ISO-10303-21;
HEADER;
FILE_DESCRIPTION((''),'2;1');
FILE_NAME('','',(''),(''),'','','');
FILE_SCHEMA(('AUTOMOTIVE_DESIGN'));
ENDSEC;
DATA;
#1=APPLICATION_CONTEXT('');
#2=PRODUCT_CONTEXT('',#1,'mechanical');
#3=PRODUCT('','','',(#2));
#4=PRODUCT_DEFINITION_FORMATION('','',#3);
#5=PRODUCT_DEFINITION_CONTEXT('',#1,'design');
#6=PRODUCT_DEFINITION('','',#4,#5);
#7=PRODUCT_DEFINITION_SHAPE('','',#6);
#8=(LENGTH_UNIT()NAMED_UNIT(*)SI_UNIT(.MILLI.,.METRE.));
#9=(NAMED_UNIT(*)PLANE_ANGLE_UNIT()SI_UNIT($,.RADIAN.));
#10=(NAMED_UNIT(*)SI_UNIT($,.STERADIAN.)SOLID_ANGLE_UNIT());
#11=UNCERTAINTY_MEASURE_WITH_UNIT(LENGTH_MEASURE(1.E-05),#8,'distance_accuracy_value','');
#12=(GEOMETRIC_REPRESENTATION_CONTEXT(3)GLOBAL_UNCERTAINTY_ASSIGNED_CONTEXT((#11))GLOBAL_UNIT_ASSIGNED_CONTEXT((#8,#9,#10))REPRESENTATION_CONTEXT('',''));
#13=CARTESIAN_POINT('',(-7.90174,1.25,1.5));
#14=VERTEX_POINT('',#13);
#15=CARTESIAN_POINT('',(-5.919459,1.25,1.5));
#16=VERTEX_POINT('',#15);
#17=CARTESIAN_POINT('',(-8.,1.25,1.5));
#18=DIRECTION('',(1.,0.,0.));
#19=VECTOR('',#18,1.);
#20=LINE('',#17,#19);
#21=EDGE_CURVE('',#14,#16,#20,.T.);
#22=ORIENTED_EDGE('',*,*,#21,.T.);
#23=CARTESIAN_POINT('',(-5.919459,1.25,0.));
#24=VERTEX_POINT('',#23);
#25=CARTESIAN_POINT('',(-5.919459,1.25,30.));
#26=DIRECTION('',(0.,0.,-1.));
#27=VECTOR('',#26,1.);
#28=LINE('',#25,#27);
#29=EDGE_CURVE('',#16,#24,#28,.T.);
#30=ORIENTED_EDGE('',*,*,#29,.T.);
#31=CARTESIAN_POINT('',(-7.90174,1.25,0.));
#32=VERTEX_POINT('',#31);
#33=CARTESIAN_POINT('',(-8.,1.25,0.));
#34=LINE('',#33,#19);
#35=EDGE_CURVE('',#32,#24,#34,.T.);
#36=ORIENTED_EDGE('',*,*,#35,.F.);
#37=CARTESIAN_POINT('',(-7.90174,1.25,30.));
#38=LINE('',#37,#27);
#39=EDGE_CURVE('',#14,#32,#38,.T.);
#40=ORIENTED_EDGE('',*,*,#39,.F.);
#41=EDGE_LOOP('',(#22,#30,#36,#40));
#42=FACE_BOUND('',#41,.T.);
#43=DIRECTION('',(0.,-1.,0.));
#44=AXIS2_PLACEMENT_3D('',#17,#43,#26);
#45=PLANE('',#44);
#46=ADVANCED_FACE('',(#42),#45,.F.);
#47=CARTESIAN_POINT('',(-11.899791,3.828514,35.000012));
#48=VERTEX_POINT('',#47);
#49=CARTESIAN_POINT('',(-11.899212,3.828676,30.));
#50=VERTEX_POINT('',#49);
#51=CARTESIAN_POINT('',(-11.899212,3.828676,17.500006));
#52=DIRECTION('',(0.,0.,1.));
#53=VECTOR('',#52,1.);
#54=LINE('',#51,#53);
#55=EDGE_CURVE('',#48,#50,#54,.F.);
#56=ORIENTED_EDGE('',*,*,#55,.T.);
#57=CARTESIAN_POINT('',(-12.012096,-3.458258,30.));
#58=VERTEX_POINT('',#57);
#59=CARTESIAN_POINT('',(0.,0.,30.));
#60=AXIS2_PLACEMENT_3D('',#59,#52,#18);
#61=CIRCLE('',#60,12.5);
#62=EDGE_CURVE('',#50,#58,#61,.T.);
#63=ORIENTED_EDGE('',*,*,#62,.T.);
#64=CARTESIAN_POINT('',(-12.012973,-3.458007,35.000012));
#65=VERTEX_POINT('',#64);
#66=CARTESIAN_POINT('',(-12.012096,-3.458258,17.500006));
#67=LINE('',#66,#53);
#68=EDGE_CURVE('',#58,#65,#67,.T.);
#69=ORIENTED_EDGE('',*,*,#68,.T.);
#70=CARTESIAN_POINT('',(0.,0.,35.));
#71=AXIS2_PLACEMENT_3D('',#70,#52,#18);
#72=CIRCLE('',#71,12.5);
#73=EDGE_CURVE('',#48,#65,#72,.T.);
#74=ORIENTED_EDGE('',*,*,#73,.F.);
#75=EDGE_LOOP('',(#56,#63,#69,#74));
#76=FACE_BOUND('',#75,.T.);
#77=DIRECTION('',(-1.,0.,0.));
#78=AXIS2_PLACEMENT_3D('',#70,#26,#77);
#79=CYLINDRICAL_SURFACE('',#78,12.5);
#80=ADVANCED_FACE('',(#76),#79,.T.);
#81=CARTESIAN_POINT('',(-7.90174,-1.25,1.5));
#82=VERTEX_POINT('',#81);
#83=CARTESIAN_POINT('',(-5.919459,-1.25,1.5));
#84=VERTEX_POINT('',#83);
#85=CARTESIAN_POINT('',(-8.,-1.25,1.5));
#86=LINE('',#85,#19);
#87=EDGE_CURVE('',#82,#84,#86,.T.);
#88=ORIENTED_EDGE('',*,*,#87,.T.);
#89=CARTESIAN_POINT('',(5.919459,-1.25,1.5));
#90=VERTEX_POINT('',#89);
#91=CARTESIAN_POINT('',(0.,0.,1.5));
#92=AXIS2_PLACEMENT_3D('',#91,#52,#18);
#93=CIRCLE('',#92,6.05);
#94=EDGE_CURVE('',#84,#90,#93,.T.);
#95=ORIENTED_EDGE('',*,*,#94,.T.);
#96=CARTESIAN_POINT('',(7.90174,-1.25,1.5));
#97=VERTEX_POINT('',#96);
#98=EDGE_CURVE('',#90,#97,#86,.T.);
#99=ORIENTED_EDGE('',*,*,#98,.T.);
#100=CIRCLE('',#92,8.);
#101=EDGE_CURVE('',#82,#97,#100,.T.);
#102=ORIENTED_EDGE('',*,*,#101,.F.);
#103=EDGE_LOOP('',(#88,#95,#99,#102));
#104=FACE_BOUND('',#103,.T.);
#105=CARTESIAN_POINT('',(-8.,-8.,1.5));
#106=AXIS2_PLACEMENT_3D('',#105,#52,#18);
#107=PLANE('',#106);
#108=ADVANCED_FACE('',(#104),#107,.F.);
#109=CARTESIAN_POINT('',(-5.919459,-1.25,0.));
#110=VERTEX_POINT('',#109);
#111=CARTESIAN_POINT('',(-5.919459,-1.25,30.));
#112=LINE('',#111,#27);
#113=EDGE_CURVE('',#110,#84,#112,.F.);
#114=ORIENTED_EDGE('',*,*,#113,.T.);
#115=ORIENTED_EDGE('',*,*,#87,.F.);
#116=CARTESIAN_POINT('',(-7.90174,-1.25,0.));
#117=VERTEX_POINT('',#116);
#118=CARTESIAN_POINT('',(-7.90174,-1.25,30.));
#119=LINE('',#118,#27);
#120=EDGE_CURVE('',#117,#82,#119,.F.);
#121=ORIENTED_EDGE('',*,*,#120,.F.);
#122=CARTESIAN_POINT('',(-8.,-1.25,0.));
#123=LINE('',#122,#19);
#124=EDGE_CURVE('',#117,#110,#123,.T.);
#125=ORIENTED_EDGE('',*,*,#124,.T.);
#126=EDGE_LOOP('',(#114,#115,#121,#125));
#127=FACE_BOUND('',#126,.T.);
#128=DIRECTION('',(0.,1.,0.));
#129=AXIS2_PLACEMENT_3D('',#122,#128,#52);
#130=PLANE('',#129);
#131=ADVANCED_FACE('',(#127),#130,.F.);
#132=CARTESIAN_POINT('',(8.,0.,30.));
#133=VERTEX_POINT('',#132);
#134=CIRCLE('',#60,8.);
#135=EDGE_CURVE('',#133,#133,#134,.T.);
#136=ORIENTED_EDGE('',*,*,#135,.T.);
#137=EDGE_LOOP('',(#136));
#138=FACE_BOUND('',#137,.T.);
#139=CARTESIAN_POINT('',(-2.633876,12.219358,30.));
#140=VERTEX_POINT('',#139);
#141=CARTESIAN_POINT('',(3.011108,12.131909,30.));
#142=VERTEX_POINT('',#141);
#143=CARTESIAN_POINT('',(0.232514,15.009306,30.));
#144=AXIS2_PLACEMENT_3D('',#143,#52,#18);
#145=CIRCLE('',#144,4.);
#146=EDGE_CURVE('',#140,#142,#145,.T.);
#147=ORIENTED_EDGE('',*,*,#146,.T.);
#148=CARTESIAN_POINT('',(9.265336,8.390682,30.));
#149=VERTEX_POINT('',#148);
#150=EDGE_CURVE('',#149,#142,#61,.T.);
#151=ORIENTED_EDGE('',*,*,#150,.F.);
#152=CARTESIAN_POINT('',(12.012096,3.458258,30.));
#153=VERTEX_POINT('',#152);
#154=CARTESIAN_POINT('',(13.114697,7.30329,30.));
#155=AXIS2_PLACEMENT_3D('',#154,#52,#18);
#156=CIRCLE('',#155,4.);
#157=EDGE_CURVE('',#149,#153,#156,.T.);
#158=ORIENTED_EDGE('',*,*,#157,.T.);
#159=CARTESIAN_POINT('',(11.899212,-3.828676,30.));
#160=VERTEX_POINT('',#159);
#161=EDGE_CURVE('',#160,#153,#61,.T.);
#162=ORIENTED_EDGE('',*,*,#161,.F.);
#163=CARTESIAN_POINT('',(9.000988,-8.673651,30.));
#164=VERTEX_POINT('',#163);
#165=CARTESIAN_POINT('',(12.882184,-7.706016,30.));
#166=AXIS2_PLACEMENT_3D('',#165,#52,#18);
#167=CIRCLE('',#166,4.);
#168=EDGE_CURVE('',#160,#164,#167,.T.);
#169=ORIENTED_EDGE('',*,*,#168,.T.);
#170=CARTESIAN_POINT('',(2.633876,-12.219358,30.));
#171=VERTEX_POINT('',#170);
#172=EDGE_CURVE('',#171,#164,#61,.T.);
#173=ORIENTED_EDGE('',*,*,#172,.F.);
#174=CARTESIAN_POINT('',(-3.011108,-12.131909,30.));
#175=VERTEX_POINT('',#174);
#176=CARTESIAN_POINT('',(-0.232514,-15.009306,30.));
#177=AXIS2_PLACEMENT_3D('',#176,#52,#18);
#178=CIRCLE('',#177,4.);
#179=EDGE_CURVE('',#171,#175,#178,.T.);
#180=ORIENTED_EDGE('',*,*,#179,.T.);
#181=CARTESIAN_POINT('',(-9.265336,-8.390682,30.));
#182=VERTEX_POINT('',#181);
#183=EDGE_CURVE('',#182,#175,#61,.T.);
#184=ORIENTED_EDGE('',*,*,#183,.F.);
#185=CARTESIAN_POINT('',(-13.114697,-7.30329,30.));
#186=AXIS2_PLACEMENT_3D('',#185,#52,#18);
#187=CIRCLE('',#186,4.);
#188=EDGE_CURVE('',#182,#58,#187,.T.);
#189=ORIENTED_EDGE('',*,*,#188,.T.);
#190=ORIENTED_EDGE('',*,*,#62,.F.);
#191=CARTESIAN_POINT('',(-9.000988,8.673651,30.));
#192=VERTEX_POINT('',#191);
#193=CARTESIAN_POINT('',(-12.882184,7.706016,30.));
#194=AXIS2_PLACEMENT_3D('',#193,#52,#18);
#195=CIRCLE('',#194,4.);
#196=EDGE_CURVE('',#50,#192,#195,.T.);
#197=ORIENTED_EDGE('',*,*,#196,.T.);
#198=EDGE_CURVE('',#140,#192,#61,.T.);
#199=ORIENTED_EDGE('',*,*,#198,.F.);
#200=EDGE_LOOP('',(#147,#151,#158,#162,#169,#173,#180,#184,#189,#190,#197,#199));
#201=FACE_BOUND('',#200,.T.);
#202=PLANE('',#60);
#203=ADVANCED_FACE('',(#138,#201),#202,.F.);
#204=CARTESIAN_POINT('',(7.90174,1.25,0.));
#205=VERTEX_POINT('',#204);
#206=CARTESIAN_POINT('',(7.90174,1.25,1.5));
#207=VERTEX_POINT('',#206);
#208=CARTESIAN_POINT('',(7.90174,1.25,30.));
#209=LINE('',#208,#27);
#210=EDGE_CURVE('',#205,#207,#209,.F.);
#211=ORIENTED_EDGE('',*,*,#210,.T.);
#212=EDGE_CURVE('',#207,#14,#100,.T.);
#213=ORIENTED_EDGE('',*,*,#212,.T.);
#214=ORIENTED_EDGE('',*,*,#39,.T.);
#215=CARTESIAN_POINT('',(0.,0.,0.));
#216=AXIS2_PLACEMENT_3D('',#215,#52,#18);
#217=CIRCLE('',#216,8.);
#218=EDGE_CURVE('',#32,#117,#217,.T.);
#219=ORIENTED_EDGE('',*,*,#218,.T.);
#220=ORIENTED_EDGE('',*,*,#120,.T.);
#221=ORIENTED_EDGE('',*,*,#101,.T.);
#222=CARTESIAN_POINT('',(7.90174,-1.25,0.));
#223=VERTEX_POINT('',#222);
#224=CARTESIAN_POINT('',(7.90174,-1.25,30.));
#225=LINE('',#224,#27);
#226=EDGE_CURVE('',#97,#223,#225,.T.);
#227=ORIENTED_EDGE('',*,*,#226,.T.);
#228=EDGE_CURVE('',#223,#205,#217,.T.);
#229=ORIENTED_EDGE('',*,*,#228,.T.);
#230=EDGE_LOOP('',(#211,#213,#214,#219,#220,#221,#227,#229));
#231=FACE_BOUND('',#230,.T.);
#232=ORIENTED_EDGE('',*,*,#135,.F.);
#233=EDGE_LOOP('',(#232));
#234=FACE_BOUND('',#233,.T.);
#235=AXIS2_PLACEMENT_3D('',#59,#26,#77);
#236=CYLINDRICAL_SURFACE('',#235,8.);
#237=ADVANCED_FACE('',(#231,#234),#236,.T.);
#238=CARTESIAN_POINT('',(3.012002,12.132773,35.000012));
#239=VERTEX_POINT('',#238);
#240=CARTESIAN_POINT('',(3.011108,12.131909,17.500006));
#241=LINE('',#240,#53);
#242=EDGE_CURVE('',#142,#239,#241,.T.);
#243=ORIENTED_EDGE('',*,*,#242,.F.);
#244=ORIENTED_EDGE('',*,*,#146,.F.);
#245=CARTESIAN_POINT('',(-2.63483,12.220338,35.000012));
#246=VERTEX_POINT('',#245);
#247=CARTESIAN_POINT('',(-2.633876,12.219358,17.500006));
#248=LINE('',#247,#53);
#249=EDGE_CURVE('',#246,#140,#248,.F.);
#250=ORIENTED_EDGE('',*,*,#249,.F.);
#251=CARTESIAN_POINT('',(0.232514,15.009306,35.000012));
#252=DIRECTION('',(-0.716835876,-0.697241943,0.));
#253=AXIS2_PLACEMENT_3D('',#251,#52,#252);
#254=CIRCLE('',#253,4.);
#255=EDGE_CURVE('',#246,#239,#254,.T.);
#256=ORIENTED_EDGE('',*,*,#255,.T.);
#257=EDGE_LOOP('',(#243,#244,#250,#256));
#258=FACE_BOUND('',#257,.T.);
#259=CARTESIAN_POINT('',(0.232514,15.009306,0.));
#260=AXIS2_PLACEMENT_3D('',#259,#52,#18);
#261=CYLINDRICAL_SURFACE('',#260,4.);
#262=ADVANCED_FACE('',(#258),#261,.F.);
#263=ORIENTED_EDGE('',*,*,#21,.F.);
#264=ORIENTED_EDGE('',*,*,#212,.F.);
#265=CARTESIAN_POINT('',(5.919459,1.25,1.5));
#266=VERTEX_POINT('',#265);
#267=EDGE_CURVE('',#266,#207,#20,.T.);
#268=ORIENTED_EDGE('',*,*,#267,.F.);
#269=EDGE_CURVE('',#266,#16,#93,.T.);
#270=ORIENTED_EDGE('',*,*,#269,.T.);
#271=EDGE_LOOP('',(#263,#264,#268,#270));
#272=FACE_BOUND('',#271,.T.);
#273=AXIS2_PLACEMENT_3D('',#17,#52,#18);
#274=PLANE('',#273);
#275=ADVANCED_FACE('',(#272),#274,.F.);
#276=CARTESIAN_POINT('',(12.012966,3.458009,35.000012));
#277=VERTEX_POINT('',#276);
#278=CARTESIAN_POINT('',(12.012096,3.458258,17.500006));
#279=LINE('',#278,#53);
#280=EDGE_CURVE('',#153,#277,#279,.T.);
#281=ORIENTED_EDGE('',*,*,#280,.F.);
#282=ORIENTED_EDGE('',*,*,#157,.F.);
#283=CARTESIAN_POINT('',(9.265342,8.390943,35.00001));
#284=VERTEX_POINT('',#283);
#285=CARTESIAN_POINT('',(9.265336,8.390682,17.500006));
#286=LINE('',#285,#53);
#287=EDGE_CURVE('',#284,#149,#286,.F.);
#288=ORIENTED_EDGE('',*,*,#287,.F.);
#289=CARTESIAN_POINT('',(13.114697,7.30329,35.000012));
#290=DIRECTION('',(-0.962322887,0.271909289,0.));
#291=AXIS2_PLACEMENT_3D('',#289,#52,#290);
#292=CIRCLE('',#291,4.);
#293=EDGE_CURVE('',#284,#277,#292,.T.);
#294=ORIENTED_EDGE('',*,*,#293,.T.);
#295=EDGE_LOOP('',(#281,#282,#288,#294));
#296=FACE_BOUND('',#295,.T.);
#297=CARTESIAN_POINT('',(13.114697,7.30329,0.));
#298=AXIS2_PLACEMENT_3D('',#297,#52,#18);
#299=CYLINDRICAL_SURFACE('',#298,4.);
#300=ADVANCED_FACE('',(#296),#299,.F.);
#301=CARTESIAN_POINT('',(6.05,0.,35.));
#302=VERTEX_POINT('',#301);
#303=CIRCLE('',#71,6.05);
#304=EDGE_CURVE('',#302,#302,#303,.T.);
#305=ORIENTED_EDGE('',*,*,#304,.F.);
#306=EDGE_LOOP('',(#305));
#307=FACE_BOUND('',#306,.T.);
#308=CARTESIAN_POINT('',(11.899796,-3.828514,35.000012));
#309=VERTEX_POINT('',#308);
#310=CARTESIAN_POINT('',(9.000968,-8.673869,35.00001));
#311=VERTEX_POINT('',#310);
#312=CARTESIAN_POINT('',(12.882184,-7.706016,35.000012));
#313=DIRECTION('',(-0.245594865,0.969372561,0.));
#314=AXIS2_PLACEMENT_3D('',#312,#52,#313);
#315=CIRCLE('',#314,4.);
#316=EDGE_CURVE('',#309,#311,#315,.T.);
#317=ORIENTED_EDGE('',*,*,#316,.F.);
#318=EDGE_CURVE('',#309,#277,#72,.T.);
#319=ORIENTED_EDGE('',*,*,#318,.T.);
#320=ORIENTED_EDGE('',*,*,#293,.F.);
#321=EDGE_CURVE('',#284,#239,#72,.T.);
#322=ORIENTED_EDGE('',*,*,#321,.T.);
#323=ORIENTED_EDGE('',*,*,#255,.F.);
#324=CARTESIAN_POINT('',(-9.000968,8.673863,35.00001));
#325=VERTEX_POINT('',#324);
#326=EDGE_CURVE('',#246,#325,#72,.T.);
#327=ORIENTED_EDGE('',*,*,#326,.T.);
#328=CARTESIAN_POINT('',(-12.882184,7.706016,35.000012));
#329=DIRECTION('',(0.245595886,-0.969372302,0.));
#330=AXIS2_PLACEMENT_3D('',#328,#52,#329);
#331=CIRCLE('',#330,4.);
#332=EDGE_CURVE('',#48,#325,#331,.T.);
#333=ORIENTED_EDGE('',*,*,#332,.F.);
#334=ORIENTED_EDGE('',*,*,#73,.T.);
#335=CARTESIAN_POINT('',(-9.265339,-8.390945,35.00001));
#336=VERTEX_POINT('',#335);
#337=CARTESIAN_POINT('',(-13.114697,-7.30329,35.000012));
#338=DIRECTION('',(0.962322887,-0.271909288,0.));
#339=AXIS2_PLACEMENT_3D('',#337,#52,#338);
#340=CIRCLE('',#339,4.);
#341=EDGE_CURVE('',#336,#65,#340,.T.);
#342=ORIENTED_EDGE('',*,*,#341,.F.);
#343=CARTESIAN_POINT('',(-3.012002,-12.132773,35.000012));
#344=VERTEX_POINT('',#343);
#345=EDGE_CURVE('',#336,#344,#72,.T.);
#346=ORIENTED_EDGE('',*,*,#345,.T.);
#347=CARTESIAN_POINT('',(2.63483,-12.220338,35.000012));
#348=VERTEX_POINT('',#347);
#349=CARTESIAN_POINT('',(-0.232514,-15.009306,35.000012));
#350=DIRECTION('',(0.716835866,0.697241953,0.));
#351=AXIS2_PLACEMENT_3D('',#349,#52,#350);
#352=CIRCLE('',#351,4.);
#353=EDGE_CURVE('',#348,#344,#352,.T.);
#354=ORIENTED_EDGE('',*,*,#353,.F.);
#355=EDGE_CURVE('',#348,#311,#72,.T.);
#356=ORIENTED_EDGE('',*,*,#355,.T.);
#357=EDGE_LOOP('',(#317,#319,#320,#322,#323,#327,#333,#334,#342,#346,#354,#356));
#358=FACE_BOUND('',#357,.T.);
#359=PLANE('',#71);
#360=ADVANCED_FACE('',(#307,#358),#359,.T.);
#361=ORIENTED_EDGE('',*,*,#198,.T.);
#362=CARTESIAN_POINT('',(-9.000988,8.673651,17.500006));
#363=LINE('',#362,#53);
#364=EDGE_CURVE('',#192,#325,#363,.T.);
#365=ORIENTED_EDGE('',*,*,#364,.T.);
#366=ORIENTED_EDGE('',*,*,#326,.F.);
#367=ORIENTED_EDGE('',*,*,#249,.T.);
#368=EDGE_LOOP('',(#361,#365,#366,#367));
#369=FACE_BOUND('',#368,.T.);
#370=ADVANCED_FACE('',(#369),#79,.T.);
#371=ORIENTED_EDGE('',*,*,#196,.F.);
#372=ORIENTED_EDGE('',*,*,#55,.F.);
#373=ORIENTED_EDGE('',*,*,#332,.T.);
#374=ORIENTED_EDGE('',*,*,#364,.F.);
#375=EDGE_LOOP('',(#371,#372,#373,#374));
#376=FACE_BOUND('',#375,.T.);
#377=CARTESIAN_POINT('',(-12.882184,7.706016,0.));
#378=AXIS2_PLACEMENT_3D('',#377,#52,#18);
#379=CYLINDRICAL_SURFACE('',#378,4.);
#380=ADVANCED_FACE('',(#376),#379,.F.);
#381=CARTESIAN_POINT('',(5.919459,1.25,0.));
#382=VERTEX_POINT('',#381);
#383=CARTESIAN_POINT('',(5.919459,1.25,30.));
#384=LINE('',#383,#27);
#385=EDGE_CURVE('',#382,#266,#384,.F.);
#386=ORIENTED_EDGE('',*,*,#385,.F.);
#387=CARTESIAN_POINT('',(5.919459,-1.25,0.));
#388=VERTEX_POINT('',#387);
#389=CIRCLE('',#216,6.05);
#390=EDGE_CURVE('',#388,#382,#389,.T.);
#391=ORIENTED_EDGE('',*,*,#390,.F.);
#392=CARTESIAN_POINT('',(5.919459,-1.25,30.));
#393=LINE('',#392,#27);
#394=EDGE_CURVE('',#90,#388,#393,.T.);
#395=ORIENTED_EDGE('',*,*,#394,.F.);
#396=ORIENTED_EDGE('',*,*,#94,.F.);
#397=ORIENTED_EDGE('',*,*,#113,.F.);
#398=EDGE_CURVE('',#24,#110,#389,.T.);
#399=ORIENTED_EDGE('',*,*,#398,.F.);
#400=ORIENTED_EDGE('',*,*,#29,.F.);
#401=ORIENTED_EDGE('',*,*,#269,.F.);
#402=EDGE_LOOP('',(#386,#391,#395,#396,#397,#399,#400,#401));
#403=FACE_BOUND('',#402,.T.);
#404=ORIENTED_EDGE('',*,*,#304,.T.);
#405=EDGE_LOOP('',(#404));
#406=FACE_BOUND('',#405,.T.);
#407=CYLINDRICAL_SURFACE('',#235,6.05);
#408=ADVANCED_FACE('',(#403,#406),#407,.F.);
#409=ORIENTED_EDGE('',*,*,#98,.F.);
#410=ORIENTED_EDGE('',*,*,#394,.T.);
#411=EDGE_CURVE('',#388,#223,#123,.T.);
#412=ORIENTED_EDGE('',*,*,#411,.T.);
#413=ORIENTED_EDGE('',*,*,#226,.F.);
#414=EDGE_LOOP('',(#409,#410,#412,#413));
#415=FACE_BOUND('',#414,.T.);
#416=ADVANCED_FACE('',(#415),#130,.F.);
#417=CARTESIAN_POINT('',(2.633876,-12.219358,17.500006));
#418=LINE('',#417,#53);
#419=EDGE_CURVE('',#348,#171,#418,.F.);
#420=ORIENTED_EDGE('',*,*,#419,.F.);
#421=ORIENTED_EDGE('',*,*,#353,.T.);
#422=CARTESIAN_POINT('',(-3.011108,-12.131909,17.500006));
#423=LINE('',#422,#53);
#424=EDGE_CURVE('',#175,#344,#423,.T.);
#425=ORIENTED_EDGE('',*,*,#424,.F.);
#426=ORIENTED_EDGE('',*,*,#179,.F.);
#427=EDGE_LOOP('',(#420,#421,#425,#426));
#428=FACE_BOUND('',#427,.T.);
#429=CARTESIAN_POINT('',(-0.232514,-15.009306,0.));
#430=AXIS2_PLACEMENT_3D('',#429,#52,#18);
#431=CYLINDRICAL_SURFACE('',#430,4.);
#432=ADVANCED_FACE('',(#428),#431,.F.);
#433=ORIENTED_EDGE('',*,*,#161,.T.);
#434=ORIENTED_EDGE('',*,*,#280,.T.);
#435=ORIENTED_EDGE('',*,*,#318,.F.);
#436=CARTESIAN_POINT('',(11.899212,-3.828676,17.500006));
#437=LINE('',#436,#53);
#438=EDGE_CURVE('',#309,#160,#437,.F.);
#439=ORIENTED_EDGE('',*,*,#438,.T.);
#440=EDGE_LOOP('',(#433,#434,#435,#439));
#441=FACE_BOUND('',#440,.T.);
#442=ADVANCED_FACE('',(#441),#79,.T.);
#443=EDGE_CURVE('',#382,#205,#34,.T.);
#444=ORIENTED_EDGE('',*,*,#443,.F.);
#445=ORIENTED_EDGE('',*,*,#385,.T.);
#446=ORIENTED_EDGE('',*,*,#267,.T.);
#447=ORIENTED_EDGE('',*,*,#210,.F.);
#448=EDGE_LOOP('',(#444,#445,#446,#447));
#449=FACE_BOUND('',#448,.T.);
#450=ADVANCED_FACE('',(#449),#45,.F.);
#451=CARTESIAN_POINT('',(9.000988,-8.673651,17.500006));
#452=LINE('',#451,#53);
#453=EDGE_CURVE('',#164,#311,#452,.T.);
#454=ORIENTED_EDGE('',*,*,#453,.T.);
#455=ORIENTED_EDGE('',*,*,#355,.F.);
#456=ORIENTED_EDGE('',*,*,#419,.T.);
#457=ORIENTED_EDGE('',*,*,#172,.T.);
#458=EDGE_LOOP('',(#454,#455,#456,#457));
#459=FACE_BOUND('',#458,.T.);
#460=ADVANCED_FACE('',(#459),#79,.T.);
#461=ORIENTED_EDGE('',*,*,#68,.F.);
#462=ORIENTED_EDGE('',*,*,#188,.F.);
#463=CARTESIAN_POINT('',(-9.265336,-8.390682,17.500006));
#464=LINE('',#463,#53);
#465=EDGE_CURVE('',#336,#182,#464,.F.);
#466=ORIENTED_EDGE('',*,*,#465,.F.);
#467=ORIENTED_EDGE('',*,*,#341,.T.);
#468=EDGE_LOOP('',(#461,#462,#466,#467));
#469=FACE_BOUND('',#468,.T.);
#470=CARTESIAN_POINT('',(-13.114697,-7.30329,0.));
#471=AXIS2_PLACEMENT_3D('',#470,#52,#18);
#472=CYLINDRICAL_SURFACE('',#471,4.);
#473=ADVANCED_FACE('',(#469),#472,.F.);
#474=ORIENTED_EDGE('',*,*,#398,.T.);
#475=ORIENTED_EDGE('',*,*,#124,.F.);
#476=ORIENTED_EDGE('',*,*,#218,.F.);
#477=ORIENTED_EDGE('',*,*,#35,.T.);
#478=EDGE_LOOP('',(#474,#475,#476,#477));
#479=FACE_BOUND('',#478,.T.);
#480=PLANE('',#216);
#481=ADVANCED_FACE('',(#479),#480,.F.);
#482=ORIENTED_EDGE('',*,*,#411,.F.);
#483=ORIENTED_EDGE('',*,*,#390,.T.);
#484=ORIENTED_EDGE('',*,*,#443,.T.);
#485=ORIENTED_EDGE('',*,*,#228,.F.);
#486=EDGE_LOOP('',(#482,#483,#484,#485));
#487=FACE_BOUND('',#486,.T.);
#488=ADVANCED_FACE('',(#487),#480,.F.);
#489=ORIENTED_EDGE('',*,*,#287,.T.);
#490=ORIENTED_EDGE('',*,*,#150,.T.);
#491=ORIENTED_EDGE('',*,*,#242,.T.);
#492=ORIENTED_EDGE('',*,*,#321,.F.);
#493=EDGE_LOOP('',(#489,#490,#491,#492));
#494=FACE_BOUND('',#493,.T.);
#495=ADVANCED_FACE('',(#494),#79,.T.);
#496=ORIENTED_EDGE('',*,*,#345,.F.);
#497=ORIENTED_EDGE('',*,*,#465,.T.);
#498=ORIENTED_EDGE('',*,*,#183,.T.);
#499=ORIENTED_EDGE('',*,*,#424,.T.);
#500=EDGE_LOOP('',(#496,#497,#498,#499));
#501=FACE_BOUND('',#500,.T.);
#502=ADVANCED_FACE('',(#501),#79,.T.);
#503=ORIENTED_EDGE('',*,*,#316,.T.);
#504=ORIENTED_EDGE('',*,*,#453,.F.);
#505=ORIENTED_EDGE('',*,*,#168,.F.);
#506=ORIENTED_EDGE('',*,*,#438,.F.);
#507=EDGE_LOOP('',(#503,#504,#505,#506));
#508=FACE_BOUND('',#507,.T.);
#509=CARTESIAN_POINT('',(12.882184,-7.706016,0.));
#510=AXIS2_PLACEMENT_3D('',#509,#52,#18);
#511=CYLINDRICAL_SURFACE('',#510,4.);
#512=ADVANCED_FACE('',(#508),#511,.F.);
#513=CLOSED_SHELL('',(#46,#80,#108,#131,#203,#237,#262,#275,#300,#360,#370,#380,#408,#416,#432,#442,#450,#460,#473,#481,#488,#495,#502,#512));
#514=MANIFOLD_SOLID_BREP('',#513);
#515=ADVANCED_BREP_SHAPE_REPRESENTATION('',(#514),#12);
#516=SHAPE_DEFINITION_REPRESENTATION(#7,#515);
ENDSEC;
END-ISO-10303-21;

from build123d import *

# Parameters (mm, degrees)
SKETCH1_R               = 8
SKETCH1_R_2             = 6.05
BOSS_EXTRUDE1_DEPTH     = 30
CUT_EXTRUDE1_DEPTH      = 33.062439084
CUT_EXTRUDE1_DEPTH_BACK = 33.062439084
SKETCH2_W               = 6.75
SKETCH2_H               = 1.5
SKETCH3_R               = 12.5
SKETCH3_R_2             = 6.05
BOSS_EXTRUDE2_DEPTH     = 5
CUT_EXTRUDE2_DEPTH      = 40.210967853
CUT_EXTRUDE2_DEPTH_BACK = 40.210967853
SKETCH4_R               = 4


with BuildPart() as part:
    # Sketch1 → Boss-Extrude1 (new body)
    with BuildSketch(Plane(origin=(0, 0, 0), x_dir=(0, 1, 0), z_dir=(0, 0, 1))):
        with Locations(Location((0, 0, 0), (0, 0, 270))):
            Circle(SKETCH1_R)
        with Locations(Location((0, 0, 0), (0, 0, 270))):
            Circle(SKETCH1_R_2, mode=Mode.SUBTRACT)
    extrude(amount=BOSS_EXTRUDE1_DEPTH)

    # Sketch2 → Cut-Extrude1 (cut, two sides: drawn at the far end of the back side and taken through both)
    with BuildSketch(Plane.YZ.offset(-CUT_EXTRUDE1_DEPTH_BACK)):
        with Locations((-4.625, 0.75)):
            Rectangle(SKETCH2_W, SKETCH2_H)
        with Locations((4.625, 0.75)):
            Rectangle(SKETCH2_W, SKETCH2_H)
    extrude(amount=CUT_EXTRUDE1_DEPTH + CUT_EXTRUDE1_DEPTH_BACK, mode=Mode.SUBTRACT)

    # Sketch3 → Boss-Extrude2 (add)
    with BuildSketch(Plane.XY.offset(30)):
        Circle(SKETCH3_R)
        with Locations(Location((0, 0, 0), (0, 0, 168.076144872))):
            Circle(SKETCH3_R_2, mode=Mode.SUBTRACT)
    extrude(amount=BOSS_EXTRUDE2_DEPTH)

    # Sketch4 → Cut-Extrude2 (cut, two sides: drawn at the far end of the back side and taken through both)
    with BuildSketch(Plane.XY.offset(35).offset(-CUT_EXTRUDE2_DEPTH_BACK)):
        with Locations((-12.882183606, 7.706015759)):
            Circle(SKETCH4_R)
        with Locations((0.232513607, 15.009306138)):
            Circle(SKETCH4_R)
        with Locations((13.114697212, 7.303290379)):
            Circle(SKETCH4_R)
        with Locations((12.882183606, -7.706015759)):
            Circle(SKETCH4_R)
        with Locations((-0.232513607, -15.009306138)):
            Circle(SKETCH4_R)
        with Locations((-13.114697212, -7.303290379)):
            Circle(SKETCH4_R)
    extrude(amount=CUT_EXTRUDE2_DEPTH + CUT_EXTRUDE2_DEPTH_BACK, mode=Mode.SUBTRACT)


solid = part.part
